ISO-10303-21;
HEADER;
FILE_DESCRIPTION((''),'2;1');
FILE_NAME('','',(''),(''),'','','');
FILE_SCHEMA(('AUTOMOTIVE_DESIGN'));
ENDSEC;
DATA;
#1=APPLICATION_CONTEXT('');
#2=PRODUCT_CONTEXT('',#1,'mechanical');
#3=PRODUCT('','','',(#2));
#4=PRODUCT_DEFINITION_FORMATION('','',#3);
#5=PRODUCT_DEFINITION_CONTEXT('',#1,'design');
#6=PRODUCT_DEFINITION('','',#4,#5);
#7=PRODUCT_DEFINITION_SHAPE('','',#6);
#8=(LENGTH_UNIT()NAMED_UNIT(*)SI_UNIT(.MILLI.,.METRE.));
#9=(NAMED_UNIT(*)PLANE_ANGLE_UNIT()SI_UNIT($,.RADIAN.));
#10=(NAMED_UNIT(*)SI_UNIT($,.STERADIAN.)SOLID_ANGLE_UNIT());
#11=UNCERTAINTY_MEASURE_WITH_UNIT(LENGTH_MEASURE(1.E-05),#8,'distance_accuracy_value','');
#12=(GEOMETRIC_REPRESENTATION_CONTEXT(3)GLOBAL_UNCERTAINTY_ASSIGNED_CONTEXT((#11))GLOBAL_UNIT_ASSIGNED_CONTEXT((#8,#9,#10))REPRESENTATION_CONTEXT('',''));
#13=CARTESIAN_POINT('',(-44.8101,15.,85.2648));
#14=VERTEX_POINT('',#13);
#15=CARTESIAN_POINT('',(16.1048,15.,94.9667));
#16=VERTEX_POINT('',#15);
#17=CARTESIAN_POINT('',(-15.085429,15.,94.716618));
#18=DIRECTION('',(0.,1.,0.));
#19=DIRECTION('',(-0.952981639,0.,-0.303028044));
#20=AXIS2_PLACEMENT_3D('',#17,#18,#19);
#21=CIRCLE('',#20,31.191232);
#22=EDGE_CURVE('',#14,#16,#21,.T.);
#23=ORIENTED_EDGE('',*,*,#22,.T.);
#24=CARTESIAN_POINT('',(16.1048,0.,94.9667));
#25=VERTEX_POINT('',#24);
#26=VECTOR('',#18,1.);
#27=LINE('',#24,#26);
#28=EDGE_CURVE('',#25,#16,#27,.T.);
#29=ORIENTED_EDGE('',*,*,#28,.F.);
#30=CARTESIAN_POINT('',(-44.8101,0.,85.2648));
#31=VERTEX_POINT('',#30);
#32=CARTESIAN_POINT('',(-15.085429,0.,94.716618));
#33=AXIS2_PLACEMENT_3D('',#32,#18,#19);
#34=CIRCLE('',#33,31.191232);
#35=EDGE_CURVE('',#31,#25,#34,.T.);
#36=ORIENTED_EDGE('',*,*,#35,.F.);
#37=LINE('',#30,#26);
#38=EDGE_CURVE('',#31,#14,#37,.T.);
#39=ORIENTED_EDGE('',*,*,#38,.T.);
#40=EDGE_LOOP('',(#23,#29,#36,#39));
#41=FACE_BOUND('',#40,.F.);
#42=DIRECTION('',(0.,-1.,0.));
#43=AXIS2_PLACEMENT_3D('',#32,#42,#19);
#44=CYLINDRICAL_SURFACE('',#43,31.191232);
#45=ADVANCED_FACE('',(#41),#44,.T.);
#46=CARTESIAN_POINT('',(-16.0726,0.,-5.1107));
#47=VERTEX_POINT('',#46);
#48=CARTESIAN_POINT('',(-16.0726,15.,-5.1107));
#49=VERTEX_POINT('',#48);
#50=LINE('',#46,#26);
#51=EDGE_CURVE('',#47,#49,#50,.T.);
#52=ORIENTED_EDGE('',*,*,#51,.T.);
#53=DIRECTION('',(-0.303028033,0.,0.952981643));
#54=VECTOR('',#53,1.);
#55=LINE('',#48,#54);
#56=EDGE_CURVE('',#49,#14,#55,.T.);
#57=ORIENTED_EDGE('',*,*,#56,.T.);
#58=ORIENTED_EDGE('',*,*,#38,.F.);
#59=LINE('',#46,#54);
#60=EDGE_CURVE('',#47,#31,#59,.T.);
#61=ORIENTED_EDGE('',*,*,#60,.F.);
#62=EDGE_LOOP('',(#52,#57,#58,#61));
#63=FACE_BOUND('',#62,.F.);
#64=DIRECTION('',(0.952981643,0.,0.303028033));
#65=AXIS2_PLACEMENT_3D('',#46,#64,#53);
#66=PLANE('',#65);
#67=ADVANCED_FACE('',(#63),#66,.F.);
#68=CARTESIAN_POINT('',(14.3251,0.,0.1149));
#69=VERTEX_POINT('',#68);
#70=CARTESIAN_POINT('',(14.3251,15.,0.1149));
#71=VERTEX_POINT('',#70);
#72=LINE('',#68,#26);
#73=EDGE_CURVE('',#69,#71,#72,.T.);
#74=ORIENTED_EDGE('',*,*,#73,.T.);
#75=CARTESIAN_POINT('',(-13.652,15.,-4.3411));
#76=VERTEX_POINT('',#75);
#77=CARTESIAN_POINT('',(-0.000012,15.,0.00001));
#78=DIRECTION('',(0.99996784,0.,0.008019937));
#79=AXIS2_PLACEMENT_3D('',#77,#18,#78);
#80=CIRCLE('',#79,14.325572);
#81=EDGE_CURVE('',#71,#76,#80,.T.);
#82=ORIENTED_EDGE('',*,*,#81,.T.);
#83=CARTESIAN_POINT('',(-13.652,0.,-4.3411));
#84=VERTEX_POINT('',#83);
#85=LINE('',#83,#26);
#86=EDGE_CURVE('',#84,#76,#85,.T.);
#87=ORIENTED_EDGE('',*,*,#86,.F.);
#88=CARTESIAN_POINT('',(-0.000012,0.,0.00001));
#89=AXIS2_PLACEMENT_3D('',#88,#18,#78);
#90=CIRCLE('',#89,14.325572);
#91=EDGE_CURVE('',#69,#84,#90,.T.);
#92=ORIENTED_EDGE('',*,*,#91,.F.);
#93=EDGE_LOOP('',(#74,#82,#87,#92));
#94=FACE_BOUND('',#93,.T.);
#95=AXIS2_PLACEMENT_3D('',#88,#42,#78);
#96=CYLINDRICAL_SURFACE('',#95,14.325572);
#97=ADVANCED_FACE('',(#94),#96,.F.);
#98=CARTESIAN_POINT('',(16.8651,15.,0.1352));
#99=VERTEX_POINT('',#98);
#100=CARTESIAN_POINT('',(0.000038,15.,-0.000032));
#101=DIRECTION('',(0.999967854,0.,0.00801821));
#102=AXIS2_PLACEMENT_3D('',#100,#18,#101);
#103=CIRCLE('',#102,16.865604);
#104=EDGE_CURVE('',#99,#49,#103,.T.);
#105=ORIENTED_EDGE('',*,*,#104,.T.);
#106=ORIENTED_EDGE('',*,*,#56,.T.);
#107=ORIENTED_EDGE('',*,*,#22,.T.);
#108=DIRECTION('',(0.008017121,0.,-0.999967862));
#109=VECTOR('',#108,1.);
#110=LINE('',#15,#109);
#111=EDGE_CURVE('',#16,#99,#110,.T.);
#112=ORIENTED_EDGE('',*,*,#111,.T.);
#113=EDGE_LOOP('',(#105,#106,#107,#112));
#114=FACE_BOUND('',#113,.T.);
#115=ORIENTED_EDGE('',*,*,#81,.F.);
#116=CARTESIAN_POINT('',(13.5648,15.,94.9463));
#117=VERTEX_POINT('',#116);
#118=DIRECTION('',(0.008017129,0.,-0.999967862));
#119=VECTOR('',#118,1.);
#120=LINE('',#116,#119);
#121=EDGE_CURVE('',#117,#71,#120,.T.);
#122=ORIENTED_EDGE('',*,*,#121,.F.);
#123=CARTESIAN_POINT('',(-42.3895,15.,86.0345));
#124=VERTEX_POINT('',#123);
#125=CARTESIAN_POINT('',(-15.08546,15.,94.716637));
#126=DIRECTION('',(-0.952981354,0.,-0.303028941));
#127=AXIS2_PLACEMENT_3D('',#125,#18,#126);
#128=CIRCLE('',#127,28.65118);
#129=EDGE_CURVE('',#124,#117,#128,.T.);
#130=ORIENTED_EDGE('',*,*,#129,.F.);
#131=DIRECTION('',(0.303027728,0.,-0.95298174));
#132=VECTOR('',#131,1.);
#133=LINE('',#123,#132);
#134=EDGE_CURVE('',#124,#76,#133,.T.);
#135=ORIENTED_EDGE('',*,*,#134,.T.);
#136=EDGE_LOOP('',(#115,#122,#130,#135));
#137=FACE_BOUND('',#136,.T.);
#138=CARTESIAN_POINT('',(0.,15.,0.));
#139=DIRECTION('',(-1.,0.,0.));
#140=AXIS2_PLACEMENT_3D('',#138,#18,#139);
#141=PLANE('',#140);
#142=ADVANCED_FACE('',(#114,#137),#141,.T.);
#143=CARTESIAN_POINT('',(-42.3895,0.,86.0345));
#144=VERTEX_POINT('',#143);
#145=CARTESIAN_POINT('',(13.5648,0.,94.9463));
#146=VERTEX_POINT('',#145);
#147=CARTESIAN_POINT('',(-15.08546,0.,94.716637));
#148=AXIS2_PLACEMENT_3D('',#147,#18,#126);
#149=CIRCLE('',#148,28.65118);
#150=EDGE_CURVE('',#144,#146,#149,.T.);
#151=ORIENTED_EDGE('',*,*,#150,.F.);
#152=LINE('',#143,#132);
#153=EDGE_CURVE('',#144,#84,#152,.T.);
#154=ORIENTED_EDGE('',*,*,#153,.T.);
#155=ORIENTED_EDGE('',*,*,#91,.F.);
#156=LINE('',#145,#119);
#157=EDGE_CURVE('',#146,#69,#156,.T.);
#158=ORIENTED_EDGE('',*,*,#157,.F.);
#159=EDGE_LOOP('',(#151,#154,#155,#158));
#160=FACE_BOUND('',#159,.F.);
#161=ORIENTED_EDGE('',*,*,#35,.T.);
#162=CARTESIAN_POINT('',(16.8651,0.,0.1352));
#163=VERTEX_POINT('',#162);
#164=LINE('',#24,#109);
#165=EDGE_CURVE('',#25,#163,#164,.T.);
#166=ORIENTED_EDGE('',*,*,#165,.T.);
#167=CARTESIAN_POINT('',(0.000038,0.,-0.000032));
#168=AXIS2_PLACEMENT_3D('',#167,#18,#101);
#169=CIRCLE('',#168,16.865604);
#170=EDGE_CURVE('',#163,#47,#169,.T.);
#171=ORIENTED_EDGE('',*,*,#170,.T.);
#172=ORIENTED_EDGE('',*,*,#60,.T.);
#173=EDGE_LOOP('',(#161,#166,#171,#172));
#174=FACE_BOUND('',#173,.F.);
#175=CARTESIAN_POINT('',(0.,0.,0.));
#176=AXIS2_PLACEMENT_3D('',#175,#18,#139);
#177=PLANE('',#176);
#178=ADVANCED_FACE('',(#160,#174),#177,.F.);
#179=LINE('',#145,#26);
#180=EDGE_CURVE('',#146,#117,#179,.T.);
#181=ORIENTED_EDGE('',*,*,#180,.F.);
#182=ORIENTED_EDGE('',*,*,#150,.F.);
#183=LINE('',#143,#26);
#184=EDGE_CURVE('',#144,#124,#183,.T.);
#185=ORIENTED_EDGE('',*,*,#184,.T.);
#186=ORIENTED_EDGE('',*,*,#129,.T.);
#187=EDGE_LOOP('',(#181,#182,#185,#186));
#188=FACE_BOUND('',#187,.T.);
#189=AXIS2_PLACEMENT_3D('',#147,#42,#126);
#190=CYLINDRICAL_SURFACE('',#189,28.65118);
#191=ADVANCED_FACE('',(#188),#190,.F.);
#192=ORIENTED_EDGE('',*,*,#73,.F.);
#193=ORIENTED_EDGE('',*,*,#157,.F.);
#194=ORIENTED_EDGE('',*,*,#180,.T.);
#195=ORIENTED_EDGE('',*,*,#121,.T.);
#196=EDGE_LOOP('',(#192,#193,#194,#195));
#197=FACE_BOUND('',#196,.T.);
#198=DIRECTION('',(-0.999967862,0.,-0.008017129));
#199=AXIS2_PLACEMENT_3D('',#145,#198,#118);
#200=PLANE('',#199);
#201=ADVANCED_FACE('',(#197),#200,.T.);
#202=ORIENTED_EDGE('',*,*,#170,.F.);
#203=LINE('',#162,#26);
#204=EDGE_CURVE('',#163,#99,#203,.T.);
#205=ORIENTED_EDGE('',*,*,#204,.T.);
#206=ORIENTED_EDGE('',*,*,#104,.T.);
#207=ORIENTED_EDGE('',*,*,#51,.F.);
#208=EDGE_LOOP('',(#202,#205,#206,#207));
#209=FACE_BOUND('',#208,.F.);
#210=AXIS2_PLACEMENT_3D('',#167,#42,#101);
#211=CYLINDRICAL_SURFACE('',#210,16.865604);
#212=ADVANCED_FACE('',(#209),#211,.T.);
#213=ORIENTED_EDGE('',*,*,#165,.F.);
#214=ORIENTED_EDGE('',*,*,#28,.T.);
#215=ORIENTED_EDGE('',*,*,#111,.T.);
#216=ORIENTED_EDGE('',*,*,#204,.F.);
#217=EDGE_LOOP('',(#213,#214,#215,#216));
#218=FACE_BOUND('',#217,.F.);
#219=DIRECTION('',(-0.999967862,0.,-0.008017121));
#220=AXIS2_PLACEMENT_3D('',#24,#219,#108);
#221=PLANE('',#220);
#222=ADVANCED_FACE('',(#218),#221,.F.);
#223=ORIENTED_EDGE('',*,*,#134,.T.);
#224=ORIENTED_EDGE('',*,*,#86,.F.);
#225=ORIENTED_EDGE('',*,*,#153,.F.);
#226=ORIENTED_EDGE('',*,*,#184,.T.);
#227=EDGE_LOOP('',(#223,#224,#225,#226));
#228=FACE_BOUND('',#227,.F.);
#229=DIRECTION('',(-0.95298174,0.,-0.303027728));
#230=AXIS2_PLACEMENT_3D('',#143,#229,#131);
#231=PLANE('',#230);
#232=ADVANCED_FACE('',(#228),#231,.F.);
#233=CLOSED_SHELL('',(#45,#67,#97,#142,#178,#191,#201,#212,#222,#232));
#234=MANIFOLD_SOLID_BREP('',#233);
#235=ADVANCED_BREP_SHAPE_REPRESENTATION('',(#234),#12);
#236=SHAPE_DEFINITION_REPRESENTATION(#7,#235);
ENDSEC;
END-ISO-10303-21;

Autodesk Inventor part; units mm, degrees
ref_plane "YZ Plane" through (0, 0, 0) normal (1, 0, 0) x (0, 1, 0)
ref_plane "XZ Plane" through (0, 0, 0) normal (0, 1, 0) x (-1, 0, 0)
ref_plane "XY Plane" through (0, 0, 0) normal (0, 0, 1) x (1, 0, 0)
sketch "Sketch1" plane through (0, 0, 0) normal (0, 1, 0) x (-1, 0, 0)
  circle A0 centre (0, 0) radius 14.3256 construction
  circle A1 centre (15.0854, 94.7166) radius 28.6512 construction
  line L0 (15.0854, 94.7166) -> (0, 0) construction
  line L1 (0, 0) -> (0, 94.7166) construction
  line L2 (0, 94.7166) -> (15.0854, 94.7166) construction
  line L3 (42.3895, 86.0345) -> (13.652, -4.3411)
  line L4 (-13.5648, 94.9463) -> (-14.3251, 0.1149)
  arc A2 (42.3895, 86.0345) -> (-13.5648, 94.9463) centre (15.0854, 94.7166) ccw
  arc A3 (-14.3251, 0.1149) -> (13.652, -4.3411) centre (0, 0) ccw
  arc A4 (-16.8651, 0.1352) -> (16.0726, -5.1107) centre (0, 0) ccw
  line L5 (16.0726, -5.1107) -> (44.8101, 85.2648)
  arc A5 (44.8101, 85.2648) -> (-16.1048, 94.9667) centre (15.0854, 94.7166) ccw
  line L6 (-16.1048, 94.9667) -> (-16.8651, 0.1352)
  point P0 (-16.8651, 0.1352)
  point P1 (-14.3251, 0.1149)
  dimension "d0" = 28.6512
  dimension "d1" = 57.3024
  dimension "d2" = 95.9104
  dimension "d3" = 94.7166
  dimension "d4" = 2.54
extrude "Extrusion1" add sketch "Sketch1" along normal blind 15
equation "\"d1\" = 2 * d0"
properties part number "ELEV_028_BELT1" material "Rubber"
